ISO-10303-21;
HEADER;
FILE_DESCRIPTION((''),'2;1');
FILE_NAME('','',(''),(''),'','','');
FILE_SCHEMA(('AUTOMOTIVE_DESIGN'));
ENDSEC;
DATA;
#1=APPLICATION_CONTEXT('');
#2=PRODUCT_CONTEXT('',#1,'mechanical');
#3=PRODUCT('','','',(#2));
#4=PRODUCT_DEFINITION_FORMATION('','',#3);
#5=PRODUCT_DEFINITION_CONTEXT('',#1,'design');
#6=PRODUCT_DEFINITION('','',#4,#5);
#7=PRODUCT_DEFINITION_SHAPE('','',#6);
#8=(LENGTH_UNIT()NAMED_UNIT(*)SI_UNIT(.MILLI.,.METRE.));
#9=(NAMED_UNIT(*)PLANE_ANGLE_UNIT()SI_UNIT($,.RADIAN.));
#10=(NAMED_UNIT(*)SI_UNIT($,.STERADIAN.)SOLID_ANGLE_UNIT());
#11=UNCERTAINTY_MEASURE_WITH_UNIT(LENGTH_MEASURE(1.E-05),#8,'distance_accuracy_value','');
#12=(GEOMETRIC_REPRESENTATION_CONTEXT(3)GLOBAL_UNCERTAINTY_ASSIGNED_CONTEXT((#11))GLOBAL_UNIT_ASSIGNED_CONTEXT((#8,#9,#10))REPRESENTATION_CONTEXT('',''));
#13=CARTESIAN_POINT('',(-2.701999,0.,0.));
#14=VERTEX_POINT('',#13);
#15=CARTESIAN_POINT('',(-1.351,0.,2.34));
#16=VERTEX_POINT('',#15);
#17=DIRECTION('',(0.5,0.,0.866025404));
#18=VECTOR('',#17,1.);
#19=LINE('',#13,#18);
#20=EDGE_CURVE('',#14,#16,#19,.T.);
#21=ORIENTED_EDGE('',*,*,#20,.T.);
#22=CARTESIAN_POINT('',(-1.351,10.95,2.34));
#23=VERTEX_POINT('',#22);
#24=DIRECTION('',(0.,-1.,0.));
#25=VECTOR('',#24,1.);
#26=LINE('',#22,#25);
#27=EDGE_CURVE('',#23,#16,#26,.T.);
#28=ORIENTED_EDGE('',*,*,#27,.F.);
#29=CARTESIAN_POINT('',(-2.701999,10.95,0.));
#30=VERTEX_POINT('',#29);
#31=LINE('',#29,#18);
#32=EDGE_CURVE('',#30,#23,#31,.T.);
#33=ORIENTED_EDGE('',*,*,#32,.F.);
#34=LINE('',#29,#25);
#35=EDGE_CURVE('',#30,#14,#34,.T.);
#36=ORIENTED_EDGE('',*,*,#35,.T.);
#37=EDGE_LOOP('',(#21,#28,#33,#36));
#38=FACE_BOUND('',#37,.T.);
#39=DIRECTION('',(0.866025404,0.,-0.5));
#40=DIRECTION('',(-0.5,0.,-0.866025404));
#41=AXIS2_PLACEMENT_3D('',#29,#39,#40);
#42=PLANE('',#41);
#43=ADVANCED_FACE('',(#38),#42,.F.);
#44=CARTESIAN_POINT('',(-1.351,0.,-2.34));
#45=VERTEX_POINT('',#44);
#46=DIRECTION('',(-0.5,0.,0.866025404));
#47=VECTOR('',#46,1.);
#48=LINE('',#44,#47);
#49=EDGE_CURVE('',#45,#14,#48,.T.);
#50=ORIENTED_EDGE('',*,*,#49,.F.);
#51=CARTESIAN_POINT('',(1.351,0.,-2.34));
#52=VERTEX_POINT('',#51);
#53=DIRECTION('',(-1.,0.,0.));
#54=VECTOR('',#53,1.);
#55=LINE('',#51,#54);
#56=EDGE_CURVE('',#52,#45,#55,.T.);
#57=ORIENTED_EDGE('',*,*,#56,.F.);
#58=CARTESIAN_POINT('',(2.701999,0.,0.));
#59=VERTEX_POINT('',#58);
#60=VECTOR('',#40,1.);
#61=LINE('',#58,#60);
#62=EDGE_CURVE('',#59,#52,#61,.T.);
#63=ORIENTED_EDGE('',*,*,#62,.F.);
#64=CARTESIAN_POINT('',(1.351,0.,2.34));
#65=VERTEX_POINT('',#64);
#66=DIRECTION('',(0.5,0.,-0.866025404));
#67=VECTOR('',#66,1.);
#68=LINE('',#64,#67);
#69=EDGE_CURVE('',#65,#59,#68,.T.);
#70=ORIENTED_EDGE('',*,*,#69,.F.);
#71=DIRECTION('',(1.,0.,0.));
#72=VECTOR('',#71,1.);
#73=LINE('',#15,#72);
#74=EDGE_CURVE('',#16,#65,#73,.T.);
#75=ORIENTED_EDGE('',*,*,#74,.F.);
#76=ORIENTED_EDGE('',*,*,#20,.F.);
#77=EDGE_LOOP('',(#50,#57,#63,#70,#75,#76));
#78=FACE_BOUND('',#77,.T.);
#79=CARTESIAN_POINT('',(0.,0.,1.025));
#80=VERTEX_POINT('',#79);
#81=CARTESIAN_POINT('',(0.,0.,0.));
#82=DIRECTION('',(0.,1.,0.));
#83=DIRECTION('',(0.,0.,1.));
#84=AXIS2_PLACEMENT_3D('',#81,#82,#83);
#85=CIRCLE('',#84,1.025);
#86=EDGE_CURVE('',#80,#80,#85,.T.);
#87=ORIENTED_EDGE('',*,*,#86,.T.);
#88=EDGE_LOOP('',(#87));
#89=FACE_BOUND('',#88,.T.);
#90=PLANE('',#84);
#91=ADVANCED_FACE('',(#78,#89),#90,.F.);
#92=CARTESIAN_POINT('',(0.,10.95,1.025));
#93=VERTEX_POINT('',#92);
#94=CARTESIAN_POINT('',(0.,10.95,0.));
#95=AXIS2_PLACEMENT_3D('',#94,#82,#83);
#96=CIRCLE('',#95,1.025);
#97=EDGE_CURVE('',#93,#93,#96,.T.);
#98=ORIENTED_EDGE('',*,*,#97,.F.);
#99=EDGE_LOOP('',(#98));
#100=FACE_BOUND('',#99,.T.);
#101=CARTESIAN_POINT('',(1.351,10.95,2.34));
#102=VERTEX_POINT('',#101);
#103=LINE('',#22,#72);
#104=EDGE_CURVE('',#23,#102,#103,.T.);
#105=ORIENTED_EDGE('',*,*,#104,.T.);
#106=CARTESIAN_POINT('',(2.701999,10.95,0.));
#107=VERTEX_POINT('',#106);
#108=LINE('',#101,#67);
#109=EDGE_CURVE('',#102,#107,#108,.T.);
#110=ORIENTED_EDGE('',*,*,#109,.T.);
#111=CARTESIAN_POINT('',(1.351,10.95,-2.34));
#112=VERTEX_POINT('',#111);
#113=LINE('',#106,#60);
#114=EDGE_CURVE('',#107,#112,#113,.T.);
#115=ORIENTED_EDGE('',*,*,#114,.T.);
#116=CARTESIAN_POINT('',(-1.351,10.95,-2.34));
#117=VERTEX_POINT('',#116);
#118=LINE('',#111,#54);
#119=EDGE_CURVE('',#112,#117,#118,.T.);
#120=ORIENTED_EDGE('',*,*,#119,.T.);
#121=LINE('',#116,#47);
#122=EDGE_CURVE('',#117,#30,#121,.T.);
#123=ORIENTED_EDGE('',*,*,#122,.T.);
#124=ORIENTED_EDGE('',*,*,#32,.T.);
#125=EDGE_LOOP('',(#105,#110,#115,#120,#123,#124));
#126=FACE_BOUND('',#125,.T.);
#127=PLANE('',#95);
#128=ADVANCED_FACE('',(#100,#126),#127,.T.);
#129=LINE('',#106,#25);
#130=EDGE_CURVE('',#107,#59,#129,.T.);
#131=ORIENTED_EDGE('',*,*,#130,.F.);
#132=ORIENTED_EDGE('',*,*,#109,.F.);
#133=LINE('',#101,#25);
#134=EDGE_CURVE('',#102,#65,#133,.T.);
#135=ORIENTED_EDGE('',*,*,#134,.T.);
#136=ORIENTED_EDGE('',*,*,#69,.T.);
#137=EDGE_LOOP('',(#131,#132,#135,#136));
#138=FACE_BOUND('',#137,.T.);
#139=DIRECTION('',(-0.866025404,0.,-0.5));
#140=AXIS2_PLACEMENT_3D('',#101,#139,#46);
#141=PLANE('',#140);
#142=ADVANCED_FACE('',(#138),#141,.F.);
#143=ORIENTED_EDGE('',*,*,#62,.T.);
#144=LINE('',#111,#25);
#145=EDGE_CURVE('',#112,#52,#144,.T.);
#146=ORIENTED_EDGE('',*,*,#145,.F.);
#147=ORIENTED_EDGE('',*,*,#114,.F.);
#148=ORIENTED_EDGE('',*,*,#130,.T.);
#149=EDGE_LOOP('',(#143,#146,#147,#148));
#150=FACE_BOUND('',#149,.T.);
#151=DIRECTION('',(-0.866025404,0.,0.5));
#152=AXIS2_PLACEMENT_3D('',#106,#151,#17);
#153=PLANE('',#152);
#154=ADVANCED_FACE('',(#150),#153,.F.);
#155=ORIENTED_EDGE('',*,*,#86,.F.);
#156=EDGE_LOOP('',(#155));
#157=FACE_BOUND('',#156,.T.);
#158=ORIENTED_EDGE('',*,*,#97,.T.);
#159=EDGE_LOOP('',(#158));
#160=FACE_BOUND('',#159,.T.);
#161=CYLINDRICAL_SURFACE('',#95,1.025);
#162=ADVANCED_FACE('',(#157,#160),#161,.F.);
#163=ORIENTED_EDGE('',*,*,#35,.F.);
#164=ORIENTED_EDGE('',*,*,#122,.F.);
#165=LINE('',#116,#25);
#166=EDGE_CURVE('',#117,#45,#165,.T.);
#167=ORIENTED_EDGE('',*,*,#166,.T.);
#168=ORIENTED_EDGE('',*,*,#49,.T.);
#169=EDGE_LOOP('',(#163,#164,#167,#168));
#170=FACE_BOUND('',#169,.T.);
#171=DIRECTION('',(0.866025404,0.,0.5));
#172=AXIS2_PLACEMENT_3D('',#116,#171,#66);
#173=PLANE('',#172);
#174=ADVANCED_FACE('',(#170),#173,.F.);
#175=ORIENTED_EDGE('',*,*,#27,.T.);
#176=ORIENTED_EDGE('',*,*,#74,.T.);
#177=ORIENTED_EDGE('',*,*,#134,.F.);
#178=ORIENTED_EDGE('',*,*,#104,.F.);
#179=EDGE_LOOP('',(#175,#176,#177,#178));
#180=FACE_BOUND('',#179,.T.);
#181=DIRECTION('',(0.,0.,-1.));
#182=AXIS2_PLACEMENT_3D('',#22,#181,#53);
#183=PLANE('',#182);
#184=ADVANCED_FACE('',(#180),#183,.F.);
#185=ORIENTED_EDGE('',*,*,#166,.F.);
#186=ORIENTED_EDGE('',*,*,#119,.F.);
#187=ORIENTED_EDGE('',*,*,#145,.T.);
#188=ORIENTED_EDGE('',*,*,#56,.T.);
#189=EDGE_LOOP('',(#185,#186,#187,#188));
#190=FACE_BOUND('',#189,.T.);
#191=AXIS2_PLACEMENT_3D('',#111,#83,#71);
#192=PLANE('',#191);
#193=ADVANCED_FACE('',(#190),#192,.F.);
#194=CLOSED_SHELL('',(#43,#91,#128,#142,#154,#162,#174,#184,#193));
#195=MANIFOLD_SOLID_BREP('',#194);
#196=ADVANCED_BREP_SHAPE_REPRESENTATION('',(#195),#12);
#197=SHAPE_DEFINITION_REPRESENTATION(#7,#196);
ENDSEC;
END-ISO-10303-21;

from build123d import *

# Parameters (mm, degrees)
BOSS_EXTRUDE1_DEPTH          = 10.95
F_2_05_2_05_DIAMETER_HOLE1_D = 2.05


with BuildPart() as part:
    # Sketch1 → Boss-Extrude1 (new body)
    with BuildSketch(Plane(origin=(0, 0, 0), x_dir=(1, 0, 0), z_dir=(0, 1, 0))):
        Polygon((2.70199926, 0), (1.35099963, 2.34), (-1.35099963, 2.34), (-2.70199926, 0), (-1.35099963, -2.34), (1.35099963, -2.34), align=None)
    extrude(amount=BOSS_EXTRUDE1_DEPTH)

    # Ø2.05 (2.05) Diameter Hole1 (through all)
    with Locations(Plane(origin=(0, 10.95, 0), x_dir=(1, 0, 0), z_dir=(0, 1, 0))):
        with Locations((0, 0)):
            Hole(F_2_05_2_05_DIAMETER_HOLE1_D / 2)


solid = part.part
